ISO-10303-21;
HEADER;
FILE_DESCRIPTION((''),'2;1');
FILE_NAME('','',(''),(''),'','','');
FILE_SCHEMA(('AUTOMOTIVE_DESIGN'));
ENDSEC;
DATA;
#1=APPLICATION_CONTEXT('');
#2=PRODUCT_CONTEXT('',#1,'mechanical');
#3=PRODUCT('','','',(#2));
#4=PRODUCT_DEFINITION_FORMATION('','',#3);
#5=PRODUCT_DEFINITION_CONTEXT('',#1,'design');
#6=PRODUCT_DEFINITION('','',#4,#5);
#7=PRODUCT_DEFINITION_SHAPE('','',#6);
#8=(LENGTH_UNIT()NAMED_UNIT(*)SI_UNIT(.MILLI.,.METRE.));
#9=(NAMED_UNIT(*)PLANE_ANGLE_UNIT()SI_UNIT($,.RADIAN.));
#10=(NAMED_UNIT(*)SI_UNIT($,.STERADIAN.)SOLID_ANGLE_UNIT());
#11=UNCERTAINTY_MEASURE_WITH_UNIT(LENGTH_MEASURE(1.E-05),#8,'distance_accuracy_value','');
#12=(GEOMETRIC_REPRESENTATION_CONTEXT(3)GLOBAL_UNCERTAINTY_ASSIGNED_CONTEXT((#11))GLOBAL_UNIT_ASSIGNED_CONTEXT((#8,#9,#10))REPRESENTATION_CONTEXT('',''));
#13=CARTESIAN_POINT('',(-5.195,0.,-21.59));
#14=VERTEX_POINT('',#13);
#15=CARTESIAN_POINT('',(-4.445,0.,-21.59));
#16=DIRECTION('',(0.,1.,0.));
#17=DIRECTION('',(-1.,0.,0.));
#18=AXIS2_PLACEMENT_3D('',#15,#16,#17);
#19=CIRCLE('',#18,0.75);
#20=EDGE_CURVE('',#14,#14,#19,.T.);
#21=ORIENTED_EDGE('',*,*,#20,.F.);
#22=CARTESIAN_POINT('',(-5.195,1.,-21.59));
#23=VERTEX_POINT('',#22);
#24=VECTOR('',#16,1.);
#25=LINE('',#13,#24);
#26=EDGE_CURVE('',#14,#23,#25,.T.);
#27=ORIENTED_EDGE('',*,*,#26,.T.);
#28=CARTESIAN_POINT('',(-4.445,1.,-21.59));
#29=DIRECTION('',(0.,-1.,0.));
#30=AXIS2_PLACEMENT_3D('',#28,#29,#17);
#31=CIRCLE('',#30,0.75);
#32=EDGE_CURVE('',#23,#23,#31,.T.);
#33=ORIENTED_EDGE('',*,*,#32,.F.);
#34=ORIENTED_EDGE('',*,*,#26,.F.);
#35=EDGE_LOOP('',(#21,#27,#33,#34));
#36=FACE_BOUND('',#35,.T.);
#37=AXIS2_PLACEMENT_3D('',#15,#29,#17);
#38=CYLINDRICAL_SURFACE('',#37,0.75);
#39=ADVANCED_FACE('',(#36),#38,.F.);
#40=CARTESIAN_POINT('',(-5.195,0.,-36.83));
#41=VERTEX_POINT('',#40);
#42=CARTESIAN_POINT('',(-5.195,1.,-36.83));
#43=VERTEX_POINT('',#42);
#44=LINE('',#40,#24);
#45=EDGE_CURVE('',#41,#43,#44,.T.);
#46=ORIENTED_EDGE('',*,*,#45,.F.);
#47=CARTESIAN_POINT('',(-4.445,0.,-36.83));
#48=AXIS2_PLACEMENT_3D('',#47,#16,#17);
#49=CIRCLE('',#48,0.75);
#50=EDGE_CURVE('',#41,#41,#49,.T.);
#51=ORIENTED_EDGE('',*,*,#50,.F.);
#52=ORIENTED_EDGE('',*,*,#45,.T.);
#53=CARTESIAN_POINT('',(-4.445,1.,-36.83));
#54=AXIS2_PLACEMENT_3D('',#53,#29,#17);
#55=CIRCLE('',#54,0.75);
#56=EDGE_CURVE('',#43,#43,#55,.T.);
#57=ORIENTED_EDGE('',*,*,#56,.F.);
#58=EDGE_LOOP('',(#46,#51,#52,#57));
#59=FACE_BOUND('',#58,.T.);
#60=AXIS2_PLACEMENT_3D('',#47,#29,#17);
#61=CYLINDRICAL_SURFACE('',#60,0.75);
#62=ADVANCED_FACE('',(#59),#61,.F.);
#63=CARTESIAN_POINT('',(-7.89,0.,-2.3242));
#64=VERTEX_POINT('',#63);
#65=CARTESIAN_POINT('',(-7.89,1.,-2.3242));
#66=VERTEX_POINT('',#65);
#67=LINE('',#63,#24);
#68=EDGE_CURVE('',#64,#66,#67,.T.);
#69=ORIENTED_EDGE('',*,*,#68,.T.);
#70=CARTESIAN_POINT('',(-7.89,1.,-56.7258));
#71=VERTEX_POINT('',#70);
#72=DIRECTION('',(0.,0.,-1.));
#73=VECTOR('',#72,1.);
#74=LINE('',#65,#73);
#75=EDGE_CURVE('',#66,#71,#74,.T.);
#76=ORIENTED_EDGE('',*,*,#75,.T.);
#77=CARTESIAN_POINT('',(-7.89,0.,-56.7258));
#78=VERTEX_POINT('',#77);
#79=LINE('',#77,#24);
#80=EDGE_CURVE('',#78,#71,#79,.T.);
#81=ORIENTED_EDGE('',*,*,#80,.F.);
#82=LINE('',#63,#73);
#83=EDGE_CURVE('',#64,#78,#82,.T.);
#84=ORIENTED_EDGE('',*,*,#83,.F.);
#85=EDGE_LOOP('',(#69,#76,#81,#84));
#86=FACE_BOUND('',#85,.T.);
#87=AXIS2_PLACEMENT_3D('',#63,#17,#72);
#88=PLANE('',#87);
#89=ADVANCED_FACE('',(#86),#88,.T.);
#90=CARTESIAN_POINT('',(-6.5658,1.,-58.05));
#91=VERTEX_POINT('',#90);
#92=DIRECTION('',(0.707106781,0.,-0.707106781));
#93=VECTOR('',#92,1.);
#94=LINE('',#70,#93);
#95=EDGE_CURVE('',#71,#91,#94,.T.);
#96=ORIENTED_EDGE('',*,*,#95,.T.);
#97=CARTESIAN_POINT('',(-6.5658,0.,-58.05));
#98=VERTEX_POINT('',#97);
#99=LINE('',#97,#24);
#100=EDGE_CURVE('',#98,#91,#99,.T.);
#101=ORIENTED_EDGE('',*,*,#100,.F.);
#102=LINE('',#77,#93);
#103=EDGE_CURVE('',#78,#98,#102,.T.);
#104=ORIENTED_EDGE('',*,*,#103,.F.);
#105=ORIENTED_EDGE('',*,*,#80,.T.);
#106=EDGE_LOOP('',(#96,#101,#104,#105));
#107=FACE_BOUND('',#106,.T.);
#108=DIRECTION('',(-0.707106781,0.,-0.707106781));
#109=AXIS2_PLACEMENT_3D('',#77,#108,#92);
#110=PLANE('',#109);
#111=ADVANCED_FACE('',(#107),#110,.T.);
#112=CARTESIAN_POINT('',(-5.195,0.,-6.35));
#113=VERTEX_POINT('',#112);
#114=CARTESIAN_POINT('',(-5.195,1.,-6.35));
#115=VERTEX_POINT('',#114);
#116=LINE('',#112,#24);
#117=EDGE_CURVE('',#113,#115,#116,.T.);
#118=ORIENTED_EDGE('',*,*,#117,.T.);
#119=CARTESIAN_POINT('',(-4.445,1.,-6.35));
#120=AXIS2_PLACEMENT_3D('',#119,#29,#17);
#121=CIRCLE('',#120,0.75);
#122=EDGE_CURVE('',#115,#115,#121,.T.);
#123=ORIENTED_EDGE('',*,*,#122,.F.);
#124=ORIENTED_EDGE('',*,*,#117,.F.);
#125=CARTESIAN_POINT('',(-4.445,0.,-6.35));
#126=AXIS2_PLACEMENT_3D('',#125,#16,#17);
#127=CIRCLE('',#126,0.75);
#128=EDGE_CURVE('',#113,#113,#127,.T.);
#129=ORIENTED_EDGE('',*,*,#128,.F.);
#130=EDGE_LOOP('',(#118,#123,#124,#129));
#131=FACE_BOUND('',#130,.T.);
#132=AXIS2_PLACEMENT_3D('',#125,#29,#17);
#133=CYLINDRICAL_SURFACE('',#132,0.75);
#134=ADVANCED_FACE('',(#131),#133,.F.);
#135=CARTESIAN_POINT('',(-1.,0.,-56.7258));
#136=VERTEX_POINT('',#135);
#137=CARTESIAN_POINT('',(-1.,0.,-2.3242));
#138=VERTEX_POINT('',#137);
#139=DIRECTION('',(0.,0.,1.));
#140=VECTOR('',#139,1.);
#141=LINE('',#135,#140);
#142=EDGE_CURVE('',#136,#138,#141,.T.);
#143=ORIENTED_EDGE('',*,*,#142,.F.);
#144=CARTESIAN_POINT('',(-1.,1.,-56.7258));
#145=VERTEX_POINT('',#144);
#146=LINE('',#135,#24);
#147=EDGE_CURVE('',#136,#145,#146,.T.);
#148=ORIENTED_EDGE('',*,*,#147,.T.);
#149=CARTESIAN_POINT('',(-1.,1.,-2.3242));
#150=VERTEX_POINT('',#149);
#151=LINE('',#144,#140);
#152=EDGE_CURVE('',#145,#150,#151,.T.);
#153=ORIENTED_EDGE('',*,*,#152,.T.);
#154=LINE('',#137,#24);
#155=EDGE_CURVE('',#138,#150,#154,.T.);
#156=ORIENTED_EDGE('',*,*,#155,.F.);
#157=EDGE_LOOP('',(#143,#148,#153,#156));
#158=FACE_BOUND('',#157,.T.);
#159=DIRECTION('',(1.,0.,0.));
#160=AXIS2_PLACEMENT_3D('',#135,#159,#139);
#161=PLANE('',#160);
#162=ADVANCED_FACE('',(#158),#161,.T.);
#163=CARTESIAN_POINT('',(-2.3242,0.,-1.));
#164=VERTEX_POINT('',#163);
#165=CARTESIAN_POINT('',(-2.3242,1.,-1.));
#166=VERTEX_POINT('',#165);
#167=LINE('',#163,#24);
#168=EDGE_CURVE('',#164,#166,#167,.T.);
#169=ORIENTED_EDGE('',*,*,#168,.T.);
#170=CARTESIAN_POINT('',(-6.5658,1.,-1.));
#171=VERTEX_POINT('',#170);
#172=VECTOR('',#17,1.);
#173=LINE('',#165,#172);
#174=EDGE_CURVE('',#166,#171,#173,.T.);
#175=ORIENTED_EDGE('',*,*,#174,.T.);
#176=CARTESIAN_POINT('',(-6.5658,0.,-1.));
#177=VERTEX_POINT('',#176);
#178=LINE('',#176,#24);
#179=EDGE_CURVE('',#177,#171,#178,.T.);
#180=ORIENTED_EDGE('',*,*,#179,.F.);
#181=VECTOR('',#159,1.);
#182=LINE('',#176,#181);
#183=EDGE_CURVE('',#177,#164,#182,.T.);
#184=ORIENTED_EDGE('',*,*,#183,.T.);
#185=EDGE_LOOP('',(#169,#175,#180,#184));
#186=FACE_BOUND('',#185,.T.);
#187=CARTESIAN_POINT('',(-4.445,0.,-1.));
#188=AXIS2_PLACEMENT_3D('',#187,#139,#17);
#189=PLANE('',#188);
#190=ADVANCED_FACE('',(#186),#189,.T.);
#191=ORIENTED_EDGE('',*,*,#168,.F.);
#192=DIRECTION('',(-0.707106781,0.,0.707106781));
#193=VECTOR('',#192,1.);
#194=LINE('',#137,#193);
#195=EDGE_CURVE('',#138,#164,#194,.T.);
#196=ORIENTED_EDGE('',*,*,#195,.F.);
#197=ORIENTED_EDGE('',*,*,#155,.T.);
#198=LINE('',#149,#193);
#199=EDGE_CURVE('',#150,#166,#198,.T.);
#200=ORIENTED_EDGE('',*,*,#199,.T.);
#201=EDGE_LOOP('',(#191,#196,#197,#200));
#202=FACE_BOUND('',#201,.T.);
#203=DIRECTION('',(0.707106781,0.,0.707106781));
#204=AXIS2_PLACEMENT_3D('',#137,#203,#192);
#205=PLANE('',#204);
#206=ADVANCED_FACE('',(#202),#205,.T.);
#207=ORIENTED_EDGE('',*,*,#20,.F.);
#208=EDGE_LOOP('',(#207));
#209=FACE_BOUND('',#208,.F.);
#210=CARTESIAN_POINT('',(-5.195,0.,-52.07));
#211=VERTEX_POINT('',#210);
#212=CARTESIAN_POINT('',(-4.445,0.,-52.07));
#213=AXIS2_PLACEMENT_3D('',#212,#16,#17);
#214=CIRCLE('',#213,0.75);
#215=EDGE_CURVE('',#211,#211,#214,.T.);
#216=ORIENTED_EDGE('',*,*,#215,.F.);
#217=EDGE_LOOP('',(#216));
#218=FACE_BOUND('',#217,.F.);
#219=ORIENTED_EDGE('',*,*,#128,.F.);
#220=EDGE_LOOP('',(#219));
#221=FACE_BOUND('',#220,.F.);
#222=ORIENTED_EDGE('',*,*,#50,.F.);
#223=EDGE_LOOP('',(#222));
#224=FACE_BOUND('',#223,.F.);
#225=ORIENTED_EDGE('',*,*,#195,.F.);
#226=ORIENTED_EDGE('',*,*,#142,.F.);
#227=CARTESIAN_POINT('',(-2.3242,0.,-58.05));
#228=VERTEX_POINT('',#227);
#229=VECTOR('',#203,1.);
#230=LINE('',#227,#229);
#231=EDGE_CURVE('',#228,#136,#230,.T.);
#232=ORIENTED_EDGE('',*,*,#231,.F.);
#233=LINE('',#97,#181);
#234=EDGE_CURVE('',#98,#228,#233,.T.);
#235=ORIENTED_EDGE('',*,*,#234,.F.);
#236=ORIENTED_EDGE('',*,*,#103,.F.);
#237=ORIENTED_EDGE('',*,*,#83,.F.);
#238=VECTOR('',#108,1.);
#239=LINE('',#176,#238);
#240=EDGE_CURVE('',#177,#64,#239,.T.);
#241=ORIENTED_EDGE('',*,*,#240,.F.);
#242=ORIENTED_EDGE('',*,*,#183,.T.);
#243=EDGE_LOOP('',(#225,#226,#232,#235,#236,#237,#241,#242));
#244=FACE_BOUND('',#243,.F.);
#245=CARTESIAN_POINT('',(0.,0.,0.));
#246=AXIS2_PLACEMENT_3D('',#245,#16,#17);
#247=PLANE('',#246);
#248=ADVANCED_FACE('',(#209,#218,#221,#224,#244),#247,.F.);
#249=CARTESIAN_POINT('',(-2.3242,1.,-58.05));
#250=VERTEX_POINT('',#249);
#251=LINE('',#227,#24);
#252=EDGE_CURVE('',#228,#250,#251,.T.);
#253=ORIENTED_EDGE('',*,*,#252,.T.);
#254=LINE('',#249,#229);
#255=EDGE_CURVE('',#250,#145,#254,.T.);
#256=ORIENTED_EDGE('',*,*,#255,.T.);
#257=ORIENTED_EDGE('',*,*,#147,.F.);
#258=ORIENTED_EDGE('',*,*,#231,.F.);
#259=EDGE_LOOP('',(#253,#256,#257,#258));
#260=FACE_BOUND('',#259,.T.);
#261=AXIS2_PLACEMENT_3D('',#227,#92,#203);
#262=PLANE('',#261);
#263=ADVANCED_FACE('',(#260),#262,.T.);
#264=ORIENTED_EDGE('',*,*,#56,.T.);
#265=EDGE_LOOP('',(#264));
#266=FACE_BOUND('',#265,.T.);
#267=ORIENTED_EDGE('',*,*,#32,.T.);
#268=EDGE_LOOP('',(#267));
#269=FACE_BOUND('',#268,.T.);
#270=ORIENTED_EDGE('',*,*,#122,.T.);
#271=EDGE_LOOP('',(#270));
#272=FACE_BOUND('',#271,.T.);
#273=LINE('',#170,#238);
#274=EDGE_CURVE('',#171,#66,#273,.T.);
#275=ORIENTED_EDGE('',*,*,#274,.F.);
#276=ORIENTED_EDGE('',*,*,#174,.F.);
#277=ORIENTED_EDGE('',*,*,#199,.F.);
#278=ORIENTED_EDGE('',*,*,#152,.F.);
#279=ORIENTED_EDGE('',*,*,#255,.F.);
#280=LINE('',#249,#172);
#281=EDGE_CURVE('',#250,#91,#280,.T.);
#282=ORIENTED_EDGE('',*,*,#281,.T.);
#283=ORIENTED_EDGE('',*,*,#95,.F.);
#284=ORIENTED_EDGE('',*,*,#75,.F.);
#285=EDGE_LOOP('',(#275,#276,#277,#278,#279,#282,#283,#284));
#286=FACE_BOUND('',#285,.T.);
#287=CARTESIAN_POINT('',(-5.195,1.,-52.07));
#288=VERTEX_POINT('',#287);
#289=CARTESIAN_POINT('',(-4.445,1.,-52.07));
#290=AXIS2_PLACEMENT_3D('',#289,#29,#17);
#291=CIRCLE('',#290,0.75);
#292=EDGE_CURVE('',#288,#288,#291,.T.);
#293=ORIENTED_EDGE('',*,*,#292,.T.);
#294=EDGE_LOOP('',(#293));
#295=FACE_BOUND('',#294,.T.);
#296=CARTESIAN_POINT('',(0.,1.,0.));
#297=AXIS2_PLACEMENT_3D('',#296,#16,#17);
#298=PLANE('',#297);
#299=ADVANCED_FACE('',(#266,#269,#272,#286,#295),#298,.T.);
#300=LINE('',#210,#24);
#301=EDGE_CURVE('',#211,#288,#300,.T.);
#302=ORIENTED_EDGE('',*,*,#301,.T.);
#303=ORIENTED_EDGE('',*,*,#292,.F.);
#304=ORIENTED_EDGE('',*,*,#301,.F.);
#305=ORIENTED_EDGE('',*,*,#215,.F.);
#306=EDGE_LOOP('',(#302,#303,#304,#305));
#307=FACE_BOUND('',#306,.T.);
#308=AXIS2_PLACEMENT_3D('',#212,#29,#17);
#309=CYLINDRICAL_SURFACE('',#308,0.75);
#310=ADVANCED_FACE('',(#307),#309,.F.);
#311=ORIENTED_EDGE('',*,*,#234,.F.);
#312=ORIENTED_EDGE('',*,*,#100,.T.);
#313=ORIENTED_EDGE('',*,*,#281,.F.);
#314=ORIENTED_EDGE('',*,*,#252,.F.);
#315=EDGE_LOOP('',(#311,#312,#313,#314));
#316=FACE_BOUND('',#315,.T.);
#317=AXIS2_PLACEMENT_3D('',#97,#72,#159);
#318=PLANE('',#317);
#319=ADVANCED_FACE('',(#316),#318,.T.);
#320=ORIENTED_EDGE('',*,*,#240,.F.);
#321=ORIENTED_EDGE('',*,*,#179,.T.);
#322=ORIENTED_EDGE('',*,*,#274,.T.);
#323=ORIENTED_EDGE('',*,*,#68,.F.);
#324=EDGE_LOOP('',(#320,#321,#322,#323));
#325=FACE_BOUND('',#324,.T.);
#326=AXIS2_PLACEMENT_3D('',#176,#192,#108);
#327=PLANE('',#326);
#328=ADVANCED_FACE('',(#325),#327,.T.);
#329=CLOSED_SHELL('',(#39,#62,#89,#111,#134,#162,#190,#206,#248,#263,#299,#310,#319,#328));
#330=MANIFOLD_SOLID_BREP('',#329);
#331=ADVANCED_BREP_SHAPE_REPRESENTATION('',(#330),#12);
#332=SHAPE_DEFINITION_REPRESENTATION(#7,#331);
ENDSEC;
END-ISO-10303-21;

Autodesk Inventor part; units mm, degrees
ref_plane "YZ Plane" through (0, 0, 0) normal (1, 0, 0) x (0, 1, 0)
ref_plane "XZ Plane" through (0, 0, 0) normal (0, 1, 0) x (-1, 0, 0)
ref_plane "XY Plane" through (0, 0, 0) normal (0, 0, 1) x (1, 0, 0)
sketch "Szkic1" plane through (0, 0, 0) normal (0, 1, 0) x (-1, 0, 0)
  line L0 (8.89, -1.91) -> (8.89, -57.14)
  line L1 (6.98, -59.05) -> (1.91, -59.05)
  line L2 (0, -57.14) -> (0, -1.91)
  line L3 (6.98, 0) -> (8.89, -1.91)
  line L4 (1.91, 0) -> (0, -1.91)
  line L5 (0, -57.14) -> (1.91, -59.05)
  line L6 (6.98, -59.05) -> (8.89, -57.14)
  line L7 (6.98, 0) -> (1.91, 0)
  line L8 (4.445, -59.05) -> (4.445, 0)
  circle A0 centre (4.445, -6.35) radius 0.75
  circle A1 centre (4.445, -21.59) radius 0.75
  circle A2 centre (4.445, -36.83) radius 0.75
  circle A3 centre (4.445, -52.07) radius 0.75
  line L9 (7.89, -56.7258) -> (6.5658, -58.05)
  line L10 (6.5658, -58.05) -> (2.3242, -58.05)
  line L11 (2.3242, -58.05) -> (1, -56.7258)
  line L12 (1, -56.7258) -> (1, -2.3242)
  line L13 (1, -2.3242) -> (2.3242, -1)
  line L14 (2.3242, -1) -> (6.5658, -1)
  line L15 (6.5658, -1) -> (7.89, -2.3242)
  line L16 (7.89, -2.3242) -> (7.89, -56.7258)
  point P0 (0, 0)
  point P1 (8.89, -59.05)
  point P2 (8.89, 0)
  point P3 (0, -59.05)
  dimension "d0" = 8.89
  dimension "d2" = 1.91
  dimension "d3" = 1.91
  dimension "d4" = 1.91
  dimension "d5" = 1.91
  dimension "d6" = 1.91
  dimension "d7" = 1.91
  dimension "d8" = 1.91
  dimension "d9" = 1.91
  dimension "d10" = 1.5
  dimension "d11" = 6.35
  dimension "d14" = 15.24
  dimension "d19" = 1
extrude "Wyciągnięcie proste1" add sketch "Szkic1" along normal blind 1 contours L14 L15 L16 L9 L10 L8 A3 A2 A1 A0 | L8 A0 A1 A2 A3 L10 L11 L12 L13 L14
equation "\"d3\" = d2"
equation "\"d4\" = d2"
equation "\"d5\" = d4"
equation "\"d6\" = d2"
equation "\"d7\" = d6"
equation "\"d8\" = d2"
equation "\"d9\" = d8"
properties part number "vin"
